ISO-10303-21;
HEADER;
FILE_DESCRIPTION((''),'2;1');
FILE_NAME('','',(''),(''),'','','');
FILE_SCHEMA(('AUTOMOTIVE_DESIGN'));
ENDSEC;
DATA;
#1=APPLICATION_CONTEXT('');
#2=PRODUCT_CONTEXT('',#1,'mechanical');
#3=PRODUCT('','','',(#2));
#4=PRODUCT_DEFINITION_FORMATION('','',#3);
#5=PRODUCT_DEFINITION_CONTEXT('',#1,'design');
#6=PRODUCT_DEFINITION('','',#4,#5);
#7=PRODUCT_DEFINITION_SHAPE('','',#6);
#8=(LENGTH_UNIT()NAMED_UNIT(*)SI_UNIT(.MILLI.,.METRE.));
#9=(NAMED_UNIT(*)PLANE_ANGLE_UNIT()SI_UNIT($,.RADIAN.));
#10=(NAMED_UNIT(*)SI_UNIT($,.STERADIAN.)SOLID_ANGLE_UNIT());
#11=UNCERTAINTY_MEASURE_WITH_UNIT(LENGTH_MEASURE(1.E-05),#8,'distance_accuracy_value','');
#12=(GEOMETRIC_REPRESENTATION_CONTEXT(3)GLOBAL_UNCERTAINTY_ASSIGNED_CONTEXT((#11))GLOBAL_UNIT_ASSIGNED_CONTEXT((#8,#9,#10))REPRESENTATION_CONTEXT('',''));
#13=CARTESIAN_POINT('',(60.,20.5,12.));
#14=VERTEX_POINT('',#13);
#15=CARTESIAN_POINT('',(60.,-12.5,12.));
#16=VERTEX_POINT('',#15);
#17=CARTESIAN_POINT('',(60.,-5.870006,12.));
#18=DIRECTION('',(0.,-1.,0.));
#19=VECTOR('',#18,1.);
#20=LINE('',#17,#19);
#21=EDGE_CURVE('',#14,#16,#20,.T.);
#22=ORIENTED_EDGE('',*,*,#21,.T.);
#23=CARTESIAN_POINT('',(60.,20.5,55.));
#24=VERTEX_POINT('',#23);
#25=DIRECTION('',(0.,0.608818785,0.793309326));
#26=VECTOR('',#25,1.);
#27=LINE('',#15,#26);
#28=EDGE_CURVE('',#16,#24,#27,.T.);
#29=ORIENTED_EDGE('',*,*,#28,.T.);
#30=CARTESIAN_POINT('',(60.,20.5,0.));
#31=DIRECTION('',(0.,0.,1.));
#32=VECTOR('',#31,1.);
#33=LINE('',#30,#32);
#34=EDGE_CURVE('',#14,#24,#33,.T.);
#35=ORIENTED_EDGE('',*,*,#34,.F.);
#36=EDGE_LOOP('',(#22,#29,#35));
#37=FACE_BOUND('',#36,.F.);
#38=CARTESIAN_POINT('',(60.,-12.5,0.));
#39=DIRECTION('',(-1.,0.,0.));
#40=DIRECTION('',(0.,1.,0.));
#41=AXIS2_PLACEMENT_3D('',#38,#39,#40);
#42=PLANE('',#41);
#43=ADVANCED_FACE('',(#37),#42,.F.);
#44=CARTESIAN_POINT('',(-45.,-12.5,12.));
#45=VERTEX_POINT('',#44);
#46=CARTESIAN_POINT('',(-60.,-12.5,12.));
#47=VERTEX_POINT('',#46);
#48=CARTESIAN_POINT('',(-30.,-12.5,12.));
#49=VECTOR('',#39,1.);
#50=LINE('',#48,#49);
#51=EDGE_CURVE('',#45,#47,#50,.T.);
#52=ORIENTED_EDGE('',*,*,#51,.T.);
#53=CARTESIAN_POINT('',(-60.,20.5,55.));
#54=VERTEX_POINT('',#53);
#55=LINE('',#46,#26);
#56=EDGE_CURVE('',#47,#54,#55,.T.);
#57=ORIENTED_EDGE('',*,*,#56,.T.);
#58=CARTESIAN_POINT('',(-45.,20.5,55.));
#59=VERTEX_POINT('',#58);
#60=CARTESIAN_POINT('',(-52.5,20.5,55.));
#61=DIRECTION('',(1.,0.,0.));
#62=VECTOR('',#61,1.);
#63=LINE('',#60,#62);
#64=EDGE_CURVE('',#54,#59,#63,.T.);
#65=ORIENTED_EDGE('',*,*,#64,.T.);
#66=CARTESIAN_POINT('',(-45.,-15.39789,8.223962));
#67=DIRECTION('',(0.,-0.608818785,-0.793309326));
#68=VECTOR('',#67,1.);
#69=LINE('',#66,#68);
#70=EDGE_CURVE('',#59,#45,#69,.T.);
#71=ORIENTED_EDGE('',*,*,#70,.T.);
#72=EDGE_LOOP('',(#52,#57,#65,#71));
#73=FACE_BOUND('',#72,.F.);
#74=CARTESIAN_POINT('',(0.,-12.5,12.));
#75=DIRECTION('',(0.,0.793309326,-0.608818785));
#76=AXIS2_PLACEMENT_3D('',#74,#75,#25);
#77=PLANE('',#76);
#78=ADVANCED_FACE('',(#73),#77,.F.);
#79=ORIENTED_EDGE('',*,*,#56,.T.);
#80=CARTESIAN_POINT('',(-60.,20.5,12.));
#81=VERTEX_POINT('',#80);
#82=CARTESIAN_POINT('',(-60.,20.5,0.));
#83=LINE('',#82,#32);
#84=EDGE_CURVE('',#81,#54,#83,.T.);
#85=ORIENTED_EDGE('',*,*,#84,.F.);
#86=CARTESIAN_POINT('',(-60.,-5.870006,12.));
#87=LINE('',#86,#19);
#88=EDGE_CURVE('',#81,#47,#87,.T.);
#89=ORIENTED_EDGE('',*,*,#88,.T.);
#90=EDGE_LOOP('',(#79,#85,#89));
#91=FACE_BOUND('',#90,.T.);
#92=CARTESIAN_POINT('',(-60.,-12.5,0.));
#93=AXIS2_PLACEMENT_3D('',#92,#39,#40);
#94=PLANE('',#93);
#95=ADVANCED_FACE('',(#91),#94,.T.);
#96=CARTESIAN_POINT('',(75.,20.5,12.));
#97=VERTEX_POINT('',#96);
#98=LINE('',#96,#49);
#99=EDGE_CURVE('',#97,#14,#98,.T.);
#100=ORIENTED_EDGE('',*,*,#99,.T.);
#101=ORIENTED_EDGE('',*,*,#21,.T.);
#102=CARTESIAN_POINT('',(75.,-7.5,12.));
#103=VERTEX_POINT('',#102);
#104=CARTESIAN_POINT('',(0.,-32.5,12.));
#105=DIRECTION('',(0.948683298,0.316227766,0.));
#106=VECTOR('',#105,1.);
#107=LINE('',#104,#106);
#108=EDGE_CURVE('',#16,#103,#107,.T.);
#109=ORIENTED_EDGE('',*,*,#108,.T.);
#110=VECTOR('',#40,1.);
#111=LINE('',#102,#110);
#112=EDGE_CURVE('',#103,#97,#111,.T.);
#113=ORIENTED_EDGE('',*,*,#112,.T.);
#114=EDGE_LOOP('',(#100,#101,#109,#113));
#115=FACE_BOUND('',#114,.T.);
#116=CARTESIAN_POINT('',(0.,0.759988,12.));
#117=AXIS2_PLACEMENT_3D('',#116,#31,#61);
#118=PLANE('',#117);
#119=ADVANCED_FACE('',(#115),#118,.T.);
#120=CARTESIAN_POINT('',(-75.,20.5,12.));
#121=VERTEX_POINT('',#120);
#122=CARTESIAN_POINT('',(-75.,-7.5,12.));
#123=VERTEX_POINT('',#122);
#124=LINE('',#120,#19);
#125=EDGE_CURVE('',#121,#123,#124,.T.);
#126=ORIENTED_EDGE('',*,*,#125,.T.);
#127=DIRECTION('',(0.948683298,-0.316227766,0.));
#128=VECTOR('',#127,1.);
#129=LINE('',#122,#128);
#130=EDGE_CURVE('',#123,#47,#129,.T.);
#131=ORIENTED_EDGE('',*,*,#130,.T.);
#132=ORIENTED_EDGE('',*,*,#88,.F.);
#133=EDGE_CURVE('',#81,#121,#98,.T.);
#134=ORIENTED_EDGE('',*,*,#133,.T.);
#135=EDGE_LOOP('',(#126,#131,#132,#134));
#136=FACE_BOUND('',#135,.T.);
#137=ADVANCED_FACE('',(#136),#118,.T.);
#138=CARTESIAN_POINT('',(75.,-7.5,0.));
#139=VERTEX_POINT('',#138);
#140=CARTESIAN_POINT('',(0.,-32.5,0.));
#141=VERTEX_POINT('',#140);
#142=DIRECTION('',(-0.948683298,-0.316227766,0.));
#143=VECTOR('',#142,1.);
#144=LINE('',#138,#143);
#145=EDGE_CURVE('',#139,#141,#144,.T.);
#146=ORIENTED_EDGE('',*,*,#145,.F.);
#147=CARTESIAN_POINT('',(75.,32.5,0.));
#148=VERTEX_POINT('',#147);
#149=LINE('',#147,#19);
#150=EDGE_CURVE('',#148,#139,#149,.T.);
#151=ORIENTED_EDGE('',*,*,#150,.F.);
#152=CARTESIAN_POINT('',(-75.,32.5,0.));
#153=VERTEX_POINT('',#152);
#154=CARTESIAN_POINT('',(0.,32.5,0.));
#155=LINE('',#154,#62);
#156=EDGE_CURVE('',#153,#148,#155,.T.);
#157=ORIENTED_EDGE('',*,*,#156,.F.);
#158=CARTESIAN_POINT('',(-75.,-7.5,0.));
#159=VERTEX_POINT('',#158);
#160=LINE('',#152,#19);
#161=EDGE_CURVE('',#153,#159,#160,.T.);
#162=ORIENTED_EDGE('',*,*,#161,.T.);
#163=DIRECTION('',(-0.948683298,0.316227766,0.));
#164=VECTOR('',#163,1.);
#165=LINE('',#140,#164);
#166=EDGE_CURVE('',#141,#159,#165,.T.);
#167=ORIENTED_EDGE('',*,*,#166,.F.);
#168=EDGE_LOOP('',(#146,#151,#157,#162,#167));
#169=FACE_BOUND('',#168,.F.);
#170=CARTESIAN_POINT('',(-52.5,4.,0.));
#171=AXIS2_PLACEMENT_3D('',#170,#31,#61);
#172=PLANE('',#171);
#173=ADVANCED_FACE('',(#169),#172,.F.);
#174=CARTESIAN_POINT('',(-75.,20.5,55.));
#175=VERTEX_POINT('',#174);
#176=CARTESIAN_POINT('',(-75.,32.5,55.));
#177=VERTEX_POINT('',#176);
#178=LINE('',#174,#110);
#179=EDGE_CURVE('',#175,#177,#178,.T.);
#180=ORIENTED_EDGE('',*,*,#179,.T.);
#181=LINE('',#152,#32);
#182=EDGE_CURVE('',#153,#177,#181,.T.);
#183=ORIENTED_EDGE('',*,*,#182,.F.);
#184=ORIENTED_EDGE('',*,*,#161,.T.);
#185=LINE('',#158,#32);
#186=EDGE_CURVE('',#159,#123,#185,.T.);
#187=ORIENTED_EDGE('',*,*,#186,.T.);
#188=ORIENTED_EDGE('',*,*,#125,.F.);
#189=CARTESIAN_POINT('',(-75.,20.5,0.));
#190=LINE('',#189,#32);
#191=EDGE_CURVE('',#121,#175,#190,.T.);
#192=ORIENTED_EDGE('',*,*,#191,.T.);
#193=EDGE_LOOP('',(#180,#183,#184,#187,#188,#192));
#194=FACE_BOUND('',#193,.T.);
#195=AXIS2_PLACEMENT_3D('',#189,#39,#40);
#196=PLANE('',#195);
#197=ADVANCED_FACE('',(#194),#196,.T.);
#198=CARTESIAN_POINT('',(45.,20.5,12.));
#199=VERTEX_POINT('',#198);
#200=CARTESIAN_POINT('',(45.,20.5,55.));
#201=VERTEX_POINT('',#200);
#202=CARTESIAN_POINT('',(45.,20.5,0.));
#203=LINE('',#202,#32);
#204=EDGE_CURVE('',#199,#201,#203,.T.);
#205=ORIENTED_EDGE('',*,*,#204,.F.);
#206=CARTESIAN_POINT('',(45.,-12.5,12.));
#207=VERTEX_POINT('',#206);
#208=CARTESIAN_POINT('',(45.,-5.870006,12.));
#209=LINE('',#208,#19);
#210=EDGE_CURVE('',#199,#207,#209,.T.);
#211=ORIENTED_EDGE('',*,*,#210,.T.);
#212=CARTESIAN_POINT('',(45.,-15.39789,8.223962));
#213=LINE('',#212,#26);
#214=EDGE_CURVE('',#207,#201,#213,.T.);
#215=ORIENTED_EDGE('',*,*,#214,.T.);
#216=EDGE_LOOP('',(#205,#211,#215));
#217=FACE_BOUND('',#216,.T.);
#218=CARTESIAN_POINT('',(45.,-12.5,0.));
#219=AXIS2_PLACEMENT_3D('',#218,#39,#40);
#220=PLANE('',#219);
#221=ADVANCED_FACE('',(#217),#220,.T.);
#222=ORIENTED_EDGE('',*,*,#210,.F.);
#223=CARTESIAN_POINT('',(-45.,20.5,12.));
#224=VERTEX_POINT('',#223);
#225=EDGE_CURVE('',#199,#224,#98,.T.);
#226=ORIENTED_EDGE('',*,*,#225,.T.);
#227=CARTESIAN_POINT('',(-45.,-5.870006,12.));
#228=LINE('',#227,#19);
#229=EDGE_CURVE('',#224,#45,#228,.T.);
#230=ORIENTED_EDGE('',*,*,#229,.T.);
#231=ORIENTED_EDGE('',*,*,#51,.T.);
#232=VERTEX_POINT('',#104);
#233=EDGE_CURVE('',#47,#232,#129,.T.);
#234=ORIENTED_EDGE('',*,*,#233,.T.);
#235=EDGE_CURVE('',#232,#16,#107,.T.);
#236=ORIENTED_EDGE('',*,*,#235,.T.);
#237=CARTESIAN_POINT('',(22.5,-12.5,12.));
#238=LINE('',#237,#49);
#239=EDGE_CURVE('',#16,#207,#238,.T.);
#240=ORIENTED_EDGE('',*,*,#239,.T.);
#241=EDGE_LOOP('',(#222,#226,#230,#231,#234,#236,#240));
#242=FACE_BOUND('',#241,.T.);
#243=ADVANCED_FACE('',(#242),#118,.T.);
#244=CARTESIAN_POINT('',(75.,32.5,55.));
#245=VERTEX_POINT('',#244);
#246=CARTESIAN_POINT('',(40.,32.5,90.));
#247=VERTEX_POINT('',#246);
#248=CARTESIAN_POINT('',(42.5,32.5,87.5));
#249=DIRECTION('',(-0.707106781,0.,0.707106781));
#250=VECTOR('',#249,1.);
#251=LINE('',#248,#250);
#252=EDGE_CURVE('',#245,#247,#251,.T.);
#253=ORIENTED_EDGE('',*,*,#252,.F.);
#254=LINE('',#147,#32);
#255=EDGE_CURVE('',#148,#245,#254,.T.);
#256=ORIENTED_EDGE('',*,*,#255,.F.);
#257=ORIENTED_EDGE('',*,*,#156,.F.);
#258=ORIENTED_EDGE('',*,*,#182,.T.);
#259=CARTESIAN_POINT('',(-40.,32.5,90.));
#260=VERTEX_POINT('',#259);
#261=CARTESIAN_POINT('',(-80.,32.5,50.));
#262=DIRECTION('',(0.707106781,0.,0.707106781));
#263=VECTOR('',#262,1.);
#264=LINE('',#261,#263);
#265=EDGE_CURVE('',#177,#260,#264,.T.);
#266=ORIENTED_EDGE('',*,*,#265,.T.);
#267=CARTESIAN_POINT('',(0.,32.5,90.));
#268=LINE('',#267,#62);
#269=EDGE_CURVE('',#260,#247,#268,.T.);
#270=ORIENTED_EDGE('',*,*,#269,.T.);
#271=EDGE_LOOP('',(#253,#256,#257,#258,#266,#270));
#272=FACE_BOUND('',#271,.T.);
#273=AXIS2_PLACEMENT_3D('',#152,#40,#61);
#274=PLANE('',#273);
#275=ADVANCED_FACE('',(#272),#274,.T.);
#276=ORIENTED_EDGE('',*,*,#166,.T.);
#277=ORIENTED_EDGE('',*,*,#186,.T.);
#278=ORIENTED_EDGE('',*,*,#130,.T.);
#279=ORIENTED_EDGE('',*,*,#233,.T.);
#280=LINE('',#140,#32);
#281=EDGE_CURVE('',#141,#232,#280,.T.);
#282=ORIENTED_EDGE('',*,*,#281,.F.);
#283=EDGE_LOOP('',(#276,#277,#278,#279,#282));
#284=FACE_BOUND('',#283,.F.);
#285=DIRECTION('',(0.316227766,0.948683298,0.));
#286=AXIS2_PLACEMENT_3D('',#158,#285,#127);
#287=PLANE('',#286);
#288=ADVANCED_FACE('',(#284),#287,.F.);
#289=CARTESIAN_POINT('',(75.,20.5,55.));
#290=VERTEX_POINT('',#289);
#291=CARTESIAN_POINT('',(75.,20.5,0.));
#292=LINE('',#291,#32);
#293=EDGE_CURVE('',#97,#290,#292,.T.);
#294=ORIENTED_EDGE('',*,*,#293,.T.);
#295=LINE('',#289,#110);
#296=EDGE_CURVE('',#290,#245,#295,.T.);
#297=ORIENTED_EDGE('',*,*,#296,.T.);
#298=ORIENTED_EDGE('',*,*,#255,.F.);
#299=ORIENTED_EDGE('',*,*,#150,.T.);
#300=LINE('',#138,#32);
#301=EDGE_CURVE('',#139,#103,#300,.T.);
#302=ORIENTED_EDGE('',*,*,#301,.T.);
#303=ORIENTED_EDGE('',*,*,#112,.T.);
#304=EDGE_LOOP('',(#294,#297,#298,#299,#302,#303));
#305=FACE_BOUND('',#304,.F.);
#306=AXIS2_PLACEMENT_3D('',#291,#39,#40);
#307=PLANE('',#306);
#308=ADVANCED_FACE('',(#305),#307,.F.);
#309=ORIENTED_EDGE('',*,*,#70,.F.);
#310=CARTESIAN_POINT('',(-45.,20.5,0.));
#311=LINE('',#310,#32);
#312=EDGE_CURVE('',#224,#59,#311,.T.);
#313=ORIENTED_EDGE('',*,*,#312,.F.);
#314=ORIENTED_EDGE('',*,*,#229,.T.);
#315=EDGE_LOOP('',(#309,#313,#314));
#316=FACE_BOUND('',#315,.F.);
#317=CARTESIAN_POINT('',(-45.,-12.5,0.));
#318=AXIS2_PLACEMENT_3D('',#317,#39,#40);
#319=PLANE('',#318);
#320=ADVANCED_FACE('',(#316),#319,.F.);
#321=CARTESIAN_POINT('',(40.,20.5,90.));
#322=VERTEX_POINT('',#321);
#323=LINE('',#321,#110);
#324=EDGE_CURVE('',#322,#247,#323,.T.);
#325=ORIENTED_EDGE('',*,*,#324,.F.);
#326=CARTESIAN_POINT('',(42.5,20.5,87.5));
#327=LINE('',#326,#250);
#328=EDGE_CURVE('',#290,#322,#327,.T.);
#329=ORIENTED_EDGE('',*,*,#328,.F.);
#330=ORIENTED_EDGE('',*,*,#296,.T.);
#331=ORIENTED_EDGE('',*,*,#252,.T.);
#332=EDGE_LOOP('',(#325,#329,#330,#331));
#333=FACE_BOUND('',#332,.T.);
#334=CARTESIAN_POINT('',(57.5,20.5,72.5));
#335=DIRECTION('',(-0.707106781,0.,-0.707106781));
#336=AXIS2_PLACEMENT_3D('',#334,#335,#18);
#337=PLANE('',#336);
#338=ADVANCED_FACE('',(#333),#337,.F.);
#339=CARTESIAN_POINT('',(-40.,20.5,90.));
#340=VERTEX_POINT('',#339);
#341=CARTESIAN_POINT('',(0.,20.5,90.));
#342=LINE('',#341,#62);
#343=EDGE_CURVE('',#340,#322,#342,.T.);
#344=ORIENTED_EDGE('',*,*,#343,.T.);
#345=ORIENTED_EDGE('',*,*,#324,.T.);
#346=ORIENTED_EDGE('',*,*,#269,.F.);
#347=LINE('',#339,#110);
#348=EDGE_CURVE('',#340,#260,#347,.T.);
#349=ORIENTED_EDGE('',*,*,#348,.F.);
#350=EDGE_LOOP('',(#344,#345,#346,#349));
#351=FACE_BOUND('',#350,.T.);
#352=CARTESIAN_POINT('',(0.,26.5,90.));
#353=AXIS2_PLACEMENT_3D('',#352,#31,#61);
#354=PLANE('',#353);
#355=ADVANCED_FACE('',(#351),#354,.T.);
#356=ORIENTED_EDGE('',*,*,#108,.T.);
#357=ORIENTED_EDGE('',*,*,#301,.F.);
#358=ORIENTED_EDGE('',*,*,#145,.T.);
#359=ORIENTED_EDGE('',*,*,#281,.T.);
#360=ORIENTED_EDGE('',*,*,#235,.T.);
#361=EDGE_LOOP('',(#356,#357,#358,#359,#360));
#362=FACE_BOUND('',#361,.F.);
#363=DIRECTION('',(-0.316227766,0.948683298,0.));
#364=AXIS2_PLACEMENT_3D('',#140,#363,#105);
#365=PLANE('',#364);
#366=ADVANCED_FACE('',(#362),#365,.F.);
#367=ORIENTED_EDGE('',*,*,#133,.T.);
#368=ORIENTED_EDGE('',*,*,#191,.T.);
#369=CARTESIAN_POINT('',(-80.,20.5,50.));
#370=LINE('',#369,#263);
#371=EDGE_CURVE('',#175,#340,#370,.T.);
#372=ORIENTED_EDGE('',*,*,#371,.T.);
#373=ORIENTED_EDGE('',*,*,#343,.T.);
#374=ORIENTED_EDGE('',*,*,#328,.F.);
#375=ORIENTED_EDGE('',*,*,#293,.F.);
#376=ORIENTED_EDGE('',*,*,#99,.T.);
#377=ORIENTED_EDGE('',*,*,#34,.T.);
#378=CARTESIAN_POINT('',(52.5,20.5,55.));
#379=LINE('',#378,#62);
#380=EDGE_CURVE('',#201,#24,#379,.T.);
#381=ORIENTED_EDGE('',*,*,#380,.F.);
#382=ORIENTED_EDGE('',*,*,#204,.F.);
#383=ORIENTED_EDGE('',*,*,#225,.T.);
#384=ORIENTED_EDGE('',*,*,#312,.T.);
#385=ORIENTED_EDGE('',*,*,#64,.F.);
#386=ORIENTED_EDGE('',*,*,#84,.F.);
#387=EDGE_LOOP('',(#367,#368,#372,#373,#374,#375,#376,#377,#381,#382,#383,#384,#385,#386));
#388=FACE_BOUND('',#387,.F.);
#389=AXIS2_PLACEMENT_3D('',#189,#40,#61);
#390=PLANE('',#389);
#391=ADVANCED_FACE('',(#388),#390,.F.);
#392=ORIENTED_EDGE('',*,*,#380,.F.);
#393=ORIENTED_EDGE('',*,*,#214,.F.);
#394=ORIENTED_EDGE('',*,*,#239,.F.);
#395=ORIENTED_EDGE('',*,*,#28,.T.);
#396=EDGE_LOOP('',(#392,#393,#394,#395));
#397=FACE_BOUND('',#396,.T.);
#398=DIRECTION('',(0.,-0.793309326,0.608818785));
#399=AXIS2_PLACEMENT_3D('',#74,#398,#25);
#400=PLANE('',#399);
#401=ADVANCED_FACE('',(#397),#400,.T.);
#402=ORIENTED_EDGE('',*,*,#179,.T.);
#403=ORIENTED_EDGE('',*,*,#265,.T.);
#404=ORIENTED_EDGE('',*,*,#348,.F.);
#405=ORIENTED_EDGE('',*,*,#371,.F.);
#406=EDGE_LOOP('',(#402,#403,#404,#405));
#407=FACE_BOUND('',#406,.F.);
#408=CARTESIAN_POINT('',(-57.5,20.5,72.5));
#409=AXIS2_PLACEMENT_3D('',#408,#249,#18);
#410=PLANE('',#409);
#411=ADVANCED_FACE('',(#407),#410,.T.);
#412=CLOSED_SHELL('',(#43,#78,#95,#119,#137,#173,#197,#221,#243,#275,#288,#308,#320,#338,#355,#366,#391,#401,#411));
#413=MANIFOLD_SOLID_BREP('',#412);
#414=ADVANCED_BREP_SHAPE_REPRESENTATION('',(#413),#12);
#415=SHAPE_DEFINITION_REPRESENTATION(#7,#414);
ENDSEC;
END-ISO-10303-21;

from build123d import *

# Parameters (mm, degrees)
F1_DEPTH      = 12
F2_W          = 150
F2_H          = 12
F3_DEPTH      = 90
F4_SIZE2      = 35
F4_SIZE       = 35
F5_W          = 15
F5_H          = 33
F6_DEPTH      = 55
F8_DEPTH      = 60
F8_DEPTH_BACK = 60


with BuildPart() as f1:
    # F0 (on Top) → F1 (new body)
    with BuildSketch(Plane.XY):
        Polygon((75, 20.5), (-75, 20.5), (-75, -7.5), (0, -32.5), (75, -7.5), align=None)
    extrude(amount=F1_DEPTH)

    # F2 (on Top) → F3 (join)
    with BuildSketch(Plane.XY):
        with Locations((0, 26.5)):
            Rectangle(F2_W, F2_H)
    extrude(amount=F3_DEPTH)

    # F4
    f4_edges = [f1.edges().sort_by_distance(p)[0] for p in [
        (-75, 26.5, 90),
        (75, 26.5, 90),
    ]]
    chamfer(f4_edges, length=F4_SIZE, length2=F4_SIZE2)

    # F5 (on Top) → F6 (join)
    with BuildSketch(Plane.XY):
        with Locations((-52.5, 4)):
            Rectangle(F5_W, F5_H)
        with Locations((52.5, 4)):
            Rectangle(F5_W, F5_H)
    extrude(amount=F6_DEPTH)

    # F7 (on Right) → F8 (cut, two sides)
    with BuildSketch(Plane.YZ) as f8_sk:
        Polygon((-12.5, 12), (20.5, 55), (-12.5, 55), align=None)
    extrude(amount=-F8_DEPTH, mode=Mode.SUBTRACT)
    extrude(f8_sk.sketch, amount=F8_DEPTH_BACK, mode=Mode.SUBTRACT)


solid = f1.part
